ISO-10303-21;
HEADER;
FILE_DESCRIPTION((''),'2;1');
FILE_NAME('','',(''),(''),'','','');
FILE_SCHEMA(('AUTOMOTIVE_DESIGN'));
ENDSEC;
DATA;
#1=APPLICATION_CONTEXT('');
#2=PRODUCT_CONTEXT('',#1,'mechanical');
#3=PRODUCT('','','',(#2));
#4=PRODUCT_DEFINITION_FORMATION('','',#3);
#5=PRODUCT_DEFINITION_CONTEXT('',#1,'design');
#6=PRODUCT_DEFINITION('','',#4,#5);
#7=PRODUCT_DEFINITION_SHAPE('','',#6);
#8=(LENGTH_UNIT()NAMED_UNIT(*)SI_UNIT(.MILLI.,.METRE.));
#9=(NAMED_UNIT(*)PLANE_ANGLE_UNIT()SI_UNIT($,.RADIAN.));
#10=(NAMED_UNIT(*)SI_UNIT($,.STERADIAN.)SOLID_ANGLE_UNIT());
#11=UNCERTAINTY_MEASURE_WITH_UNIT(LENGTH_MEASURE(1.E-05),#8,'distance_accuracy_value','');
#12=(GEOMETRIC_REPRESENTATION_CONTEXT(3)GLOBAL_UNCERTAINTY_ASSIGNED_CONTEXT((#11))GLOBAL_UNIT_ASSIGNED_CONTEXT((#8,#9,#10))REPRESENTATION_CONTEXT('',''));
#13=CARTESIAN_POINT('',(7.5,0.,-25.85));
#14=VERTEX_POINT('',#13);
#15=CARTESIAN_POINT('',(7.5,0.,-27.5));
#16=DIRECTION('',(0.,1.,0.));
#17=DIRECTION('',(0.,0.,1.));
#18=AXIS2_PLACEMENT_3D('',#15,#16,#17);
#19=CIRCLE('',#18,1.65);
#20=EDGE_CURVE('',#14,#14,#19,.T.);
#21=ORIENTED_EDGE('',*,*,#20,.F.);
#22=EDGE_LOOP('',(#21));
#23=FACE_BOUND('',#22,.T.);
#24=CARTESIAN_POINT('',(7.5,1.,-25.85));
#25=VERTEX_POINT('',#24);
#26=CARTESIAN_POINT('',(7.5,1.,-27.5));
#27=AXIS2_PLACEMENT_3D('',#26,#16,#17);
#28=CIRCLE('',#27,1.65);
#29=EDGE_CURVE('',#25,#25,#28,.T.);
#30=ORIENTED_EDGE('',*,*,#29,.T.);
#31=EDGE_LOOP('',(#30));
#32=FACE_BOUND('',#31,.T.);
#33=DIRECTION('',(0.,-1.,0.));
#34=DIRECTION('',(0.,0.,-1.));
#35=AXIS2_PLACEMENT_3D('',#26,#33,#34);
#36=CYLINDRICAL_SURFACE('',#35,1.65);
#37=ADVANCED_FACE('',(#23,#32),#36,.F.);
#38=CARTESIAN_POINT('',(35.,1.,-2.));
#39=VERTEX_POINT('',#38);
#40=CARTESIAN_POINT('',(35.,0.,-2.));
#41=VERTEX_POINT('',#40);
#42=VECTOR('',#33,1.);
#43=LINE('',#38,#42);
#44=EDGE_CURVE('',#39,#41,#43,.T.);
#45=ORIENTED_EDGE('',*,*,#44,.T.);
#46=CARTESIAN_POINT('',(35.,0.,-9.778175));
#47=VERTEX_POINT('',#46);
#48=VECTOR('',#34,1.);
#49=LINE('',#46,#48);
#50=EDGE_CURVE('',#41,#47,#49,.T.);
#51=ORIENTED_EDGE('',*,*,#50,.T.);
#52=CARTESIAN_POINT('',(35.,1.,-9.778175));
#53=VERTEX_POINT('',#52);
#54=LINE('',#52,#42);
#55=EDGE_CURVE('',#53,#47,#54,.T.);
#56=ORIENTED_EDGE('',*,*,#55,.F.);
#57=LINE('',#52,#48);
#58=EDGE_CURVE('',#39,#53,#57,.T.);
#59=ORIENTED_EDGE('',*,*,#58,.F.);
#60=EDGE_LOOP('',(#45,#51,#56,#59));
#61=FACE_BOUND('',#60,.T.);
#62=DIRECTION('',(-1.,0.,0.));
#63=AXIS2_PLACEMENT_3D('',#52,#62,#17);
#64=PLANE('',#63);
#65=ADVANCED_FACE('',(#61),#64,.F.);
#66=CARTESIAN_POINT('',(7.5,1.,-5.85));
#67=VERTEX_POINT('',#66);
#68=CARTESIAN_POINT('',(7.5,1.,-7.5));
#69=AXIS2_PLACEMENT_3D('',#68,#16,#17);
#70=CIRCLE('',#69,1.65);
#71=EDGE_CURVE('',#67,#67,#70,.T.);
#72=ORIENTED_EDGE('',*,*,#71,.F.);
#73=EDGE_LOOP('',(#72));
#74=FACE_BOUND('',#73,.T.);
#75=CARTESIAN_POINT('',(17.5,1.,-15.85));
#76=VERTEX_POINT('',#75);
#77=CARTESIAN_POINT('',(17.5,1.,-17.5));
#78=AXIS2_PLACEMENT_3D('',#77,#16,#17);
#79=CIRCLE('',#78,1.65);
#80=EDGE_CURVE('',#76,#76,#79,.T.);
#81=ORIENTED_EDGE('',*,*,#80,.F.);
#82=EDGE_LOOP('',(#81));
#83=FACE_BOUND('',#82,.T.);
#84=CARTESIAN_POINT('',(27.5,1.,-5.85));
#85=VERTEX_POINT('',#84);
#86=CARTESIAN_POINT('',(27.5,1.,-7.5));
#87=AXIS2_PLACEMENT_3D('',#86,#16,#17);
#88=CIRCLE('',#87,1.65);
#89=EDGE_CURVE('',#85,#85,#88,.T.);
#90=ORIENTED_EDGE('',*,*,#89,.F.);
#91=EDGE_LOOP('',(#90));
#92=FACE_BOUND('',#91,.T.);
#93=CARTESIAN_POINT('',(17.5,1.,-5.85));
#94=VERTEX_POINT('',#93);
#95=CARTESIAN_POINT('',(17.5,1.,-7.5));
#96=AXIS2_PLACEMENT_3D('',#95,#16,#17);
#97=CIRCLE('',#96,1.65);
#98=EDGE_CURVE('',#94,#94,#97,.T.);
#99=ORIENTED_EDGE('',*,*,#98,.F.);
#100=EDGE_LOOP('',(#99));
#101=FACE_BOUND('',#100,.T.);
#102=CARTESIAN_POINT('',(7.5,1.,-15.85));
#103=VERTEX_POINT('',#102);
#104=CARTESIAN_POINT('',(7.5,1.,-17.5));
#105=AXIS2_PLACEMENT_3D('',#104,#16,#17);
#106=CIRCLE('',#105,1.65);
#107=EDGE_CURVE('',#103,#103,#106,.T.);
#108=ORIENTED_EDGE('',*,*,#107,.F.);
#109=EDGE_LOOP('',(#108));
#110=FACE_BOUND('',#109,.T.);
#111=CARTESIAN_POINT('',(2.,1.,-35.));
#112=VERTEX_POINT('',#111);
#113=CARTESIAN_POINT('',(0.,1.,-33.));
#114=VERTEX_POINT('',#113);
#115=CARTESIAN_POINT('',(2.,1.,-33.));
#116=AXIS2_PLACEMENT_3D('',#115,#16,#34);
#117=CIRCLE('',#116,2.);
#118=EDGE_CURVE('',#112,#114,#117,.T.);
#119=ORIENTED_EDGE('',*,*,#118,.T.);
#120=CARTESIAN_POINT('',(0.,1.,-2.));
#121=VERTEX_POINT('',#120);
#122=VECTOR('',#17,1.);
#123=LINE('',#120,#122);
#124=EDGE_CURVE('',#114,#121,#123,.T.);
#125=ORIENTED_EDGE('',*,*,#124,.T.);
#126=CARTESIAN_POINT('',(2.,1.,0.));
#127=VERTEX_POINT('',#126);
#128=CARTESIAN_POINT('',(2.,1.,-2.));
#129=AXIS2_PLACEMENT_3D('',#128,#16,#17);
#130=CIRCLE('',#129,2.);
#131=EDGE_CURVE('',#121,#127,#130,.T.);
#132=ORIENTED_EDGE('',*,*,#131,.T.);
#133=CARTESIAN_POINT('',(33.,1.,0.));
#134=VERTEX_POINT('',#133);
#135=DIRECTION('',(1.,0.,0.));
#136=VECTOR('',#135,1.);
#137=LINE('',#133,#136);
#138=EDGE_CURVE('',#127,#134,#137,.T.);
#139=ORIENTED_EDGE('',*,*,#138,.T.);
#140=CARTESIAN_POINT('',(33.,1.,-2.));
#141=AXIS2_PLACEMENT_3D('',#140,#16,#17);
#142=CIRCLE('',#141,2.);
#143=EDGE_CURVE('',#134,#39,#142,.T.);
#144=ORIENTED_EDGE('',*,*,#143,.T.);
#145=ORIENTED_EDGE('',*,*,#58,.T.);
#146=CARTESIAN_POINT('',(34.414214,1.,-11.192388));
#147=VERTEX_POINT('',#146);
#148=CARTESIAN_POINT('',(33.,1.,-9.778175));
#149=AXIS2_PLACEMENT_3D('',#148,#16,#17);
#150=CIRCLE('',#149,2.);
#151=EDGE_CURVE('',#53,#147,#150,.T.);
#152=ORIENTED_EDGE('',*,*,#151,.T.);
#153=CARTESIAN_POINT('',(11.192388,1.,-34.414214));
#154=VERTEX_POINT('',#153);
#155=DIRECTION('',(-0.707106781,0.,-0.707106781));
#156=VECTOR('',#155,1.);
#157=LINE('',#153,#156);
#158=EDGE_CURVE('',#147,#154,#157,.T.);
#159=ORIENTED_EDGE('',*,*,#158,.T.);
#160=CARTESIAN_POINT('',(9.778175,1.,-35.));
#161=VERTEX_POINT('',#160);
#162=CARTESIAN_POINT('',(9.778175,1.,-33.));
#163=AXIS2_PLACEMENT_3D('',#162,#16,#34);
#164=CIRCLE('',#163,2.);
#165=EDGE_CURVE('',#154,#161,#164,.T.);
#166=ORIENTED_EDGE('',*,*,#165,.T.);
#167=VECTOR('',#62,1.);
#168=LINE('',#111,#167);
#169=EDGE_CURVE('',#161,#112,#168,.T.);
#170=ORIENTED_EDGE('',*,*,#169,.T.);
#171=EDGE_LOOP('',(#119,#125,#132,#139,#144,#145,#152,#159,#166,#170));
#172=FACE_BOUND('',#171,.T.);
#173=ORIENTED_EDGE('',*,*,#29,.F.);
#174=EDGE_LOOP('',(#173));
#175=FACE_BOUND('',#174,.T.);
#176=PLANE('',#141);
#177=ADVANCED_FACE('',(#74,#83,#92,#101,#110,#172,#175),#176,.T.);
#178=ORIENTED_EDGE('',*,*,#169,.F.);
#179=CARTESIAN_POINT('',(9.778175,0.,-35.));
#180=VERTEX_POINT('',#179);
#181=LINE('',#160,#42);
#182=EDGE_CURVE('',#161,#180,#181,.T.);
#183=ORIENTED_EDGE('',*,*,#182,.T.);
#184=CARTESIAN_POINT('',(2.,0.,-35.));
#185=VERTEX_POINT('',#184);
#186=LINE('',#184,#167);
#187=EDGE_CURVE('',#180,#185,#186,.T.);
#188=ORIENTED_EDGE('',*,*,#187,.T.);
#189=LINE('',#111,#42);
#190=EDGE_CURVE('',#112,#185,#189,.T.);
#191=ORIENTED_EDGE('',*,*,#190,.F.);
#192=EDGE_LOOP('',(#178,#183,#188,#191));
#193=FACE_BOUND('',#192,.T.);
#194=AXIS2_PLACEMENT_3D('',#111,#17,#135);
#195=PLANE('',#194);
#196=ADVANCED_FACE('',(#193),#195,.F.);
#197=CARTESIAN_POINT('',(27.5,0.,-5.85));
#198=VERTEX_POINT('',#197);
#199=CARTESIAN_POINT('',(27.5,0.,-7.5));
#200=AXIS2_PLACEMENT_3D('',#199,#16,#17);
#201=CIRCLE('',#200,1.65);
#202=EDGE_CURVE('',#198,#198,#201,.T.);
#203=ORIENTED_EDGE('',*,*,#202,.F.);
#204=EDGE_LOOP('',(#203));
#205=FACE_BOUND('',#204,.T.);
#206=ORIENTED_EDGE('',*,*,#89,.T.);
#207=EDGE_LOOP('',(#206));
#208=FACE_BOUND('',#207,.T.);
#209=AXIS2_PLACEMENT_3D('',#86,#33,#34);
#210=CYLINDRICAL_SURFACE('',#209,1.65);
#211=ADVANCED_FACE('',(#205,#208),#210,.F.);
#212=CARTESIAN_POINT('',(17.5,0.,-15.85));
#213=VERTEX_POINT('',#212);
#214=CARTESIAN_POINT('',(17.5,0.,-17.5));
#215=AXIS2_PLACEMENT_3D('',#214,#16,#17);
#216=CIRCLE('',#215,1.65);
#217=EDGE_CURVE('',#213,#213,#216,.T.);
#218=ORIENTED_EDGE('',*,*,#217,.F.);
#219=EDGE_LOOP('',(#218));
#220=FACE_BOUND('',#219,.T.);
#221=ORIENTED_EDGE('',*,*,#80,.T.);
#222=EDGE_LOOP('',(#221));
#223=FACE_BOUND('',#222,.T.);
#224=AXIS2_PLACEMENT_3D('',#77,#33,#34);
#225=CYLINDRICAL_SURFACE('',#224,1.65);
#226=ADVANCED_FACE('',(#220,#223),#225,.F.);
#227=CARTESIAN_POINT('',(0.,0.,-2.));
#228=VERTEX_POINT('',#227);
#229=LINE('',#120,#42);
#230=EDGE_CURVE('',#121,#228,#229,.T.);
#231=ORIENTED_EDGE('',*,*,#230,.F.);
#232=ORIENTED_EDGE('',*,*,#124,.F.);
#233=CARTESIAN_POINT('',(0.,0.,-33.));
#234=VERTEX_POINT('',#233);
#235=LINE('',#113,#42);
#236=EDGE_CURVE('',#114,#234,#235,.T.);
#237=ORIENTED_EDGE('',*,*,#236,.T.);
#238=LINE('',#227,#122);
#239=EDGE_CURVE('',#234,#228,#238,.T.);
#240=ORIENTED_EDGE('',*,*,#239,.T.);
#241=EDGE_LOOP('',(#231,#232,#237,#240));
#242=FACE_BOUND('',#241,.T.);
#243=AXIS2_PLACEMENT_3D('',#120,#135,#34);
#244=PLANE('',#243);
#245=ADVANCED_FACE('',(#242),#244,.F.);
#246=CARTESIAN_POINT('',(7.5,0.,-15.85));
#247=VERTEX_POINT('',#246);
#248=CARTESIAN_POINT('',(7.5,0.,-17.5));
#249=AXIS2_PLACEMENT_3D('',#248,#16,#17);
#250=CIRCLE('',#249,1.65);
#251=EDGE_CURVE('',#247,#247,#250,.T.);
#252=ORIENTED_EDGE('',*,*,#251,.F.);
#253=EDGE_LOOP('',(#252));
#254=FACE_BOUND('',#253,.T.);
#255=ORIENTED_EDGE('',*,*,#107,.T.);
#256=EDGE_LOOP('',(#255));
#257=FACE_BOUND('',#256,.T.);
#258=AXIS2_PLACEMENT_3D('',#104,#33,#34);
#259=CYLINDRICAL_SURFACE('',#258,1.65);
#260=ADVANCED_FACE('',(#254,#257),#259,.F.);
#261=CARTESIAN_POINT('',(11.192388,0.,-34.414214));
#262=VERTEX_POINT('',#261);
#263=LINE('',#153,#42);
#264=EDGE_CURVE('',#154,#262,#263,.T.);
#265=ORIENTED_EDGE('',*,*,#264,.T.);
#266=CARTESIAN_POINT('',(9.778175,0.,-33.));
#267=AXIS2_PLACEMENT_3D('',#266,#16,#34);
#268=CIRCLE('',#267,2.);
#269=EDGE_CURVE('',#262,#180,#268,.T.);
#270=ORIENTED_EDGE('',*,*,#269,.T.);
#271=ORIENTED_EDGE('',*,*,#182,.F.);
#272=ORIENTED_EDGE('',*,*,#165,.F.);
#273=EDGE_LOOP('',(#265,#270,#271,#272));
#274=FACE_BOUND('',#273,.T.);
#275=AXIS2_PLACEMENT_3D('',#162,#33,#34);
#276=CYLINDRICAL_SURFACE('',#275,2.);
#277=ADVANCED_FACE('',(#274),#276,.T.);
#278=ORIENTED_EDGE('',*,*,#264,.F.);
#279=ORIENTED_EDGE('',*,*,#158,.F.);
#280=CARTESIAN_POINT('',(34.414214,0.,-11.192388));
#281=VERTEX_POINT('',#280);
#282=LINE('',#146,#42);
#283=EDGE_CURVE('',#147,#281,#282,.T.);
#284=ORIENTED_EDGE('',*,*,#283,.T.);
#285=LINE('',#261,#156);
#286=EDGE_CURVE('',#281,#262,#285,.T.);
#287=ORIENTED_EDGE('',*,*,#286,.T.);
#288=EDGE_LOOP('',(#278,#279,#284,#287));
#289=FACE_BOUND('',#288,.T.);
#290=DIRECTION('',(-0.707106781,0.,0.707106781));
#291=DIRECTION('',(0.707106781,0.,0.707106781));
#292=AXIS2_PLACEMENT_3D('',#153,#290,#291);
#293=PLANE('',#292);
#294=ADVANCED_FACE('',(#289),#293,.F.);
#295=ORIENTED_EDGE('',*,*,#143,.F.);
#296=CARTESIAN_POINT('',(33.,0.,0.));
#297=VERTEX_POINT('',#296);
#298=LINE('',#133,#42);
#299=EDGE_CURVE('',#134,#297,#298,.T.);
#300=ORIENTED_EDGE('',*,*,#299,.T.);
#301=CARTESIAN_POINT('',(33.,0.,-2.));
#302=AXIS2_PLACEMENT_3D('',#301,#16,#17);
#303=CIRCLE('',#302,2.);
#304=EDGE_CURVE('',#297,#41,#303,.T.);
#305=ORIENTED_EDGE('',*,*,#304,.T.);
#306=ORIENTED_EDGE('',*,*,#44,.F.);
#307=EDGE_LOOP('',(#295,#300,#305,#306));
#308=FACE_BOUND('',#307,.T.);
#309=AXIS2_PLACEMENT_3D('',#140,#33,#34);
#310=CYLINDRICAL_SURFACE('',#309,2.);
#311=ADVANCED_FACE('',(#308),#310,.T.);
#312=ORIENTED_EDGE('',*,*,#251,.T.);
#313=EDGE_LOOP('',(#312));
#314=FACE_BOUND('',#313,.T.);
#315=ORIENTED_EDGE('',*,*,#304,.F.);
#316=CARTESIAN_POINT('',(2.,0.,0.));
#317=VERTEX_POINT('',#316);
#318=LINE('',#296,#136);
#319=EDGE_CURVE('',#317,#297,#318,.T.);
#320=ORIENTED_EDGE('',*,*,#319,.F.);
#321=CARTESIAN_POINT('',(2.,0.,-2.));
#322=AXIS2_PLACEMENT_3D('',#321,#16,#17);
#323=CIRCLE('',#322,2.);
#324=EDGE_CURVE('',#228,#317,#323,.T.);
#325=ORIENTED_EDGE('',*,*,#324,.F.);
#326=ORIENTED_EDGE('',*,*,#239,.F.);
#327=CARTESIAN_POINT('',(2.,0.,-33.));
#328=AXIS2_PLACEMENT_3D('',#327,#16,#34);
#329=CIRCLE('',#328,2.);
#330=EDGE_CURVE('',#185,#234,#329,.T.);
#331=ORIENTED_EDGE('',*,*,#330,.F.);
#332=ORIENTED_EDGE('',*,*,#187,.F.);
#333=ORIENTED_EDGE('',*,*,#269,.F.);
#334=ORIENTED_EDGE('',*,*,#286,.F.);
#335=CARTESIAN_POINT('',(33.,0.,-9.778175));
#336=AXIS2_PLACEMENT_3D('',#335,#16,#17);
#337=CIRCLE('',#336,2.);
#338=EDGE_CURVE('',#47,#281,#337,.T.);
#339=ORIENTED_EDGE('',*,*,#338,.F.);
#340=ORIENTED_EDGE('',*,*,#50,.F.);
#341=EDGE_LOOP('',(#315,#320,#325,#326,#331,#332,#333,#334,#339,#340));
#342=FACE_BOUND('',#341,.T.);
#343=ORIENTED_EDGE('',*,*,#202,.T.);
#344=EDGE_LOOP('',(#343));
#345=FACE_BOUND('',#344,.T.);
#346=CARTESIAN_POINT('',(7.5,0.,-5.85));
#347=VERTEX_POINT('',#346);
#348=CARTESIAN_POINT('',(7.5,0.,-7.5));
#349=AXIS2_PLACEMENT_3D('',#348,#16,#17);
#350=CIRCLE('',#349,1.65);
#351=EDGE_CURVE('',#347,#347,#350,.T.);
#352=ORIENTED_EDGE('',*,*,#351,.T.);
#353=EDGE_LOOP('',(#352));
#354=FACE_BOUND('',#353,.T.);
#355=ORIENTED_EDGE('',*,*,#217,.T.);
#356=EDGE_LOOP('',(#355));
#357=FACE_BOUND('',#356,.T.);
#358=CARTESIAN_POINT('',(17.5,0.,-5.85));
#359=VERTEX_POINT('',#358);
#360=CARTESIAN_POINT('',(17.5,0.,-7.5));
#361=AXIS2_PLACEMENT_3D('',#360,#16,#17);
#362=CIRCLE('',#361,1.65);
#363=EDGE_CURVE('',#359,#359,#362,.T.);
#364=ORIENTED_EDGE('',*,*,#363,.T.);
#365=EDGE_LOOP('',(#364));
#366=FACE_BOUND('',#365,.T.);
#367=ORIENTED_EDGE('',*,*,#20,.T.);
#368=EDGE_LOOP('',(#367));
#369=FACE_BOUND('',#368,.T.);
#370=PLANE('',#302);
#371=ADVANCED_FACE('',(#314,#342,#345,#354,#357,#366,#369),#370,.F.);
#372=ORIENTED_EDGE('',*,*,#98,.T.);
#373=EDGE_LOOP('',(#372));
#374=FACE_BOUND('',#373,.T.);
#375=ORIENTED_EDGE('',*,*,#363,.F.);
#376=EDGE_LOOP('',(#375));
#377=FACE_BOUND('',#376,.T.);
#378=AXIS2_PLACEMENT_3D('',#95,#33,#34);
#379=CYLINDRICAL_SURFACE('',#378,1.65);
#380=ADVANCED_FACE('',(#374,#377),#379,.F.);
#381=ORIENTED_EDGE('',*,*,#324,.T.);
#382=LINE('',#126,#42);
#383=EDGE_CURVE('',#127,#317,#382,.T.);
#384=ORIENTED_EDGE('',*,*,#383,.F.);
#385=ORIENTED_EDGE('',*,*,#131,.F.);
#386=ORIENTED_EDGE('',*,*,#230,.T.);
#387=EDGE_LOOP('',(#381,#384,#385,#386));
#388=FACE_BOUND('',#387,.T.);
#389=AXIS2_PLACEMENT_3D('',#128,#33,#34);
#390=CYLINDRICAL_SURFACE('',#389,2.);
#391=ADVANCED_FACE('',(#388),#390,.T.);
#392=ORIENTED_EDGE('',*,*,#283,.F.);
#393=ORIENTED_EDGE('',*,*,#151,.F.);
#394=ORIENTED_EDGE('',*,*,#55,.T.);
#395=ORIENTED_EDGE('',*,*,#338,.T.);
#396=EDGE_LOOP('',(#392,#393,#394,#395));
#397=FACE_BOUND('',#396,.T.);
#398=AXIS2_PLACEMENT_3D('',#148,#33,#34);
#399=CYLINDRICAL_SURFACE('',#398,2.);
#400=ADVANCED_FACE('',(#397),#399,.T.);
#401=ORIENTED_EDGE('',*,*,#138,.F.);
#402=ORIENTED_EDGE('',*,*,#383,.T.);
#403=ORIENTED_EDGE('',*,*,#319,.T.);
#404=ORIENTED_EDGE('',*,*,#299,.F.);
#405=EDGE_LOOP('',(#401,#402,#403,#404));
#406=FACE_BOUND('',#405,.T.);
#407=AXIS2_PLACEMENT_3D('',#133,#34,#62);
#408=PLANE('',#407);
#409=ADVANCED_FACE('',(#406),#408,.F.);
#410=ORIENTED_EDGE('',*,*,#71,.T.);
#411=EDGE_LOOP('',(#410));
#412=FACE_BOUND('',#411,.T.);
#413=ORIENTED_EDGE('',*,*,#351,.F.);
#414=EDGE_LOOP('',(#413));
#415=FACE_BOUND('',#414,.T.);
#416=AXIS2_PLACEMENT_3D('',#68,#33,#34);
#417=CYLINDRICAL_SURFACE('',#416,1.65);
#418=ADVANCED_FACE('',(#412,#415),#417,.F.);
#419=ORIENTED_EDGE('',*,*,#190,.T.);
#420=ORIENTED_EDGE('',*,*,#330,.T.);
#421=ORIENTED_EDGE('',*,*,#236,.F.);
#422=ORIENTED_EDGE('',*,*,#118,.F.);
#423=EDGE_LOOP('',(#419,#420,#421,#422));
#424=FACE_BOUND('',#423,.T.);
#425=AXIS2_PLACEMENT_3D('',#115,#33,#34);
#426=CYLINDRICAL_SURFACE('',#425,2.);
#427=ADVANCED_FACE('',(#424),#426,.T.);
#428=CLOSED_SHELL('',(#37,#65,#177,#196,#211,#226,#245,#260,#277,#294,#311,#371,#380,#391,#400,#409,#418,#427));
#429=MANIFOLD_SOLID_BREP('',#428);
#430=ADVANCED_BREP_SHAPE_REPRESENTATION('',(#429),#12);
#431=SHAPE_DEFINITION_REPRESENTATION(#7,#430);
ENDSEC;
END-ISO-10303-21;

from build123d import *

# Parameters (mm, degrees)
SKETCH1_R           = 1.65
BOSS_EXTRUDE1_DEPTH = 1


with BuildPart() as part:
    # Sketch1 → Boss-Extrude1 (new body)
    with BuildSketch(Plane(origin=(0, 0, 0), x_dir=(1, 0, 0), z_dir=(0, 1, 0))):
        with BuildLine():
            Line((0, 2), (0, 33))
            ThreePointArc((0, 33), (0.585786438, 34.414213562), (2, 35))
            Line((2, 35), (9.778174593, 35))
            ThreePointArc((9.778174593, 35), (10.543541458, 34.847759065), (11.192388155, 34.414213562))
            Line((11.192388155, 34.414213562), (34.414213562, 11.192388155))
            ThreePointArc((34.414213562, 11.192388155), (34.847759065, 10.543541458), (35, 9.778174593))
            Line((35, 9.778174593), (35, 2))
            ThreePointArc((35, 2), (34.414213562, 0.585786438), (33, 0))
            Line((33, 0), (2, 0))
            ThreePointArc((2, 0), (0.585786438, 0.585786438), (0, 2))
        make_face()
        with Locations(Location((7.5, 7.5, 0), (0, 0, 270))):
            Circle(SKETCH1_R, mode=Mode.SUBTRACT)
        with Locations(Location((7.5, 27.5, 0), (0, 0, 270))):
            Circle(SKETCH1_R, mode=Mode.SUBTRACT)
        with Locations(Location((17.5, 7.5, 0), (0, 0, 270))):
            Circle(SKETCH1_R, mode=Mode.SUBTRACT)
        with Locations(Location((27.5, 7.5, 0), (0, 0, 270))):
            Circle(SKETCH1_R, mode=Mode.SUBTRACT)
        with Locations(Location((7.5, 17.5, 0), (0, 0, 270))):
            Circle(SKETCH1_R, mode=Mode.SUBTRACT)
        with Locations(Location((17.5, 17.5, 0), (0, 0, 270))):
            Circle(SKETCH1_R, mode=Mode.SUBTRACT)
    extrude(amount=BOSS_EXTRUDE1_DEPTH)


solid = part.part
